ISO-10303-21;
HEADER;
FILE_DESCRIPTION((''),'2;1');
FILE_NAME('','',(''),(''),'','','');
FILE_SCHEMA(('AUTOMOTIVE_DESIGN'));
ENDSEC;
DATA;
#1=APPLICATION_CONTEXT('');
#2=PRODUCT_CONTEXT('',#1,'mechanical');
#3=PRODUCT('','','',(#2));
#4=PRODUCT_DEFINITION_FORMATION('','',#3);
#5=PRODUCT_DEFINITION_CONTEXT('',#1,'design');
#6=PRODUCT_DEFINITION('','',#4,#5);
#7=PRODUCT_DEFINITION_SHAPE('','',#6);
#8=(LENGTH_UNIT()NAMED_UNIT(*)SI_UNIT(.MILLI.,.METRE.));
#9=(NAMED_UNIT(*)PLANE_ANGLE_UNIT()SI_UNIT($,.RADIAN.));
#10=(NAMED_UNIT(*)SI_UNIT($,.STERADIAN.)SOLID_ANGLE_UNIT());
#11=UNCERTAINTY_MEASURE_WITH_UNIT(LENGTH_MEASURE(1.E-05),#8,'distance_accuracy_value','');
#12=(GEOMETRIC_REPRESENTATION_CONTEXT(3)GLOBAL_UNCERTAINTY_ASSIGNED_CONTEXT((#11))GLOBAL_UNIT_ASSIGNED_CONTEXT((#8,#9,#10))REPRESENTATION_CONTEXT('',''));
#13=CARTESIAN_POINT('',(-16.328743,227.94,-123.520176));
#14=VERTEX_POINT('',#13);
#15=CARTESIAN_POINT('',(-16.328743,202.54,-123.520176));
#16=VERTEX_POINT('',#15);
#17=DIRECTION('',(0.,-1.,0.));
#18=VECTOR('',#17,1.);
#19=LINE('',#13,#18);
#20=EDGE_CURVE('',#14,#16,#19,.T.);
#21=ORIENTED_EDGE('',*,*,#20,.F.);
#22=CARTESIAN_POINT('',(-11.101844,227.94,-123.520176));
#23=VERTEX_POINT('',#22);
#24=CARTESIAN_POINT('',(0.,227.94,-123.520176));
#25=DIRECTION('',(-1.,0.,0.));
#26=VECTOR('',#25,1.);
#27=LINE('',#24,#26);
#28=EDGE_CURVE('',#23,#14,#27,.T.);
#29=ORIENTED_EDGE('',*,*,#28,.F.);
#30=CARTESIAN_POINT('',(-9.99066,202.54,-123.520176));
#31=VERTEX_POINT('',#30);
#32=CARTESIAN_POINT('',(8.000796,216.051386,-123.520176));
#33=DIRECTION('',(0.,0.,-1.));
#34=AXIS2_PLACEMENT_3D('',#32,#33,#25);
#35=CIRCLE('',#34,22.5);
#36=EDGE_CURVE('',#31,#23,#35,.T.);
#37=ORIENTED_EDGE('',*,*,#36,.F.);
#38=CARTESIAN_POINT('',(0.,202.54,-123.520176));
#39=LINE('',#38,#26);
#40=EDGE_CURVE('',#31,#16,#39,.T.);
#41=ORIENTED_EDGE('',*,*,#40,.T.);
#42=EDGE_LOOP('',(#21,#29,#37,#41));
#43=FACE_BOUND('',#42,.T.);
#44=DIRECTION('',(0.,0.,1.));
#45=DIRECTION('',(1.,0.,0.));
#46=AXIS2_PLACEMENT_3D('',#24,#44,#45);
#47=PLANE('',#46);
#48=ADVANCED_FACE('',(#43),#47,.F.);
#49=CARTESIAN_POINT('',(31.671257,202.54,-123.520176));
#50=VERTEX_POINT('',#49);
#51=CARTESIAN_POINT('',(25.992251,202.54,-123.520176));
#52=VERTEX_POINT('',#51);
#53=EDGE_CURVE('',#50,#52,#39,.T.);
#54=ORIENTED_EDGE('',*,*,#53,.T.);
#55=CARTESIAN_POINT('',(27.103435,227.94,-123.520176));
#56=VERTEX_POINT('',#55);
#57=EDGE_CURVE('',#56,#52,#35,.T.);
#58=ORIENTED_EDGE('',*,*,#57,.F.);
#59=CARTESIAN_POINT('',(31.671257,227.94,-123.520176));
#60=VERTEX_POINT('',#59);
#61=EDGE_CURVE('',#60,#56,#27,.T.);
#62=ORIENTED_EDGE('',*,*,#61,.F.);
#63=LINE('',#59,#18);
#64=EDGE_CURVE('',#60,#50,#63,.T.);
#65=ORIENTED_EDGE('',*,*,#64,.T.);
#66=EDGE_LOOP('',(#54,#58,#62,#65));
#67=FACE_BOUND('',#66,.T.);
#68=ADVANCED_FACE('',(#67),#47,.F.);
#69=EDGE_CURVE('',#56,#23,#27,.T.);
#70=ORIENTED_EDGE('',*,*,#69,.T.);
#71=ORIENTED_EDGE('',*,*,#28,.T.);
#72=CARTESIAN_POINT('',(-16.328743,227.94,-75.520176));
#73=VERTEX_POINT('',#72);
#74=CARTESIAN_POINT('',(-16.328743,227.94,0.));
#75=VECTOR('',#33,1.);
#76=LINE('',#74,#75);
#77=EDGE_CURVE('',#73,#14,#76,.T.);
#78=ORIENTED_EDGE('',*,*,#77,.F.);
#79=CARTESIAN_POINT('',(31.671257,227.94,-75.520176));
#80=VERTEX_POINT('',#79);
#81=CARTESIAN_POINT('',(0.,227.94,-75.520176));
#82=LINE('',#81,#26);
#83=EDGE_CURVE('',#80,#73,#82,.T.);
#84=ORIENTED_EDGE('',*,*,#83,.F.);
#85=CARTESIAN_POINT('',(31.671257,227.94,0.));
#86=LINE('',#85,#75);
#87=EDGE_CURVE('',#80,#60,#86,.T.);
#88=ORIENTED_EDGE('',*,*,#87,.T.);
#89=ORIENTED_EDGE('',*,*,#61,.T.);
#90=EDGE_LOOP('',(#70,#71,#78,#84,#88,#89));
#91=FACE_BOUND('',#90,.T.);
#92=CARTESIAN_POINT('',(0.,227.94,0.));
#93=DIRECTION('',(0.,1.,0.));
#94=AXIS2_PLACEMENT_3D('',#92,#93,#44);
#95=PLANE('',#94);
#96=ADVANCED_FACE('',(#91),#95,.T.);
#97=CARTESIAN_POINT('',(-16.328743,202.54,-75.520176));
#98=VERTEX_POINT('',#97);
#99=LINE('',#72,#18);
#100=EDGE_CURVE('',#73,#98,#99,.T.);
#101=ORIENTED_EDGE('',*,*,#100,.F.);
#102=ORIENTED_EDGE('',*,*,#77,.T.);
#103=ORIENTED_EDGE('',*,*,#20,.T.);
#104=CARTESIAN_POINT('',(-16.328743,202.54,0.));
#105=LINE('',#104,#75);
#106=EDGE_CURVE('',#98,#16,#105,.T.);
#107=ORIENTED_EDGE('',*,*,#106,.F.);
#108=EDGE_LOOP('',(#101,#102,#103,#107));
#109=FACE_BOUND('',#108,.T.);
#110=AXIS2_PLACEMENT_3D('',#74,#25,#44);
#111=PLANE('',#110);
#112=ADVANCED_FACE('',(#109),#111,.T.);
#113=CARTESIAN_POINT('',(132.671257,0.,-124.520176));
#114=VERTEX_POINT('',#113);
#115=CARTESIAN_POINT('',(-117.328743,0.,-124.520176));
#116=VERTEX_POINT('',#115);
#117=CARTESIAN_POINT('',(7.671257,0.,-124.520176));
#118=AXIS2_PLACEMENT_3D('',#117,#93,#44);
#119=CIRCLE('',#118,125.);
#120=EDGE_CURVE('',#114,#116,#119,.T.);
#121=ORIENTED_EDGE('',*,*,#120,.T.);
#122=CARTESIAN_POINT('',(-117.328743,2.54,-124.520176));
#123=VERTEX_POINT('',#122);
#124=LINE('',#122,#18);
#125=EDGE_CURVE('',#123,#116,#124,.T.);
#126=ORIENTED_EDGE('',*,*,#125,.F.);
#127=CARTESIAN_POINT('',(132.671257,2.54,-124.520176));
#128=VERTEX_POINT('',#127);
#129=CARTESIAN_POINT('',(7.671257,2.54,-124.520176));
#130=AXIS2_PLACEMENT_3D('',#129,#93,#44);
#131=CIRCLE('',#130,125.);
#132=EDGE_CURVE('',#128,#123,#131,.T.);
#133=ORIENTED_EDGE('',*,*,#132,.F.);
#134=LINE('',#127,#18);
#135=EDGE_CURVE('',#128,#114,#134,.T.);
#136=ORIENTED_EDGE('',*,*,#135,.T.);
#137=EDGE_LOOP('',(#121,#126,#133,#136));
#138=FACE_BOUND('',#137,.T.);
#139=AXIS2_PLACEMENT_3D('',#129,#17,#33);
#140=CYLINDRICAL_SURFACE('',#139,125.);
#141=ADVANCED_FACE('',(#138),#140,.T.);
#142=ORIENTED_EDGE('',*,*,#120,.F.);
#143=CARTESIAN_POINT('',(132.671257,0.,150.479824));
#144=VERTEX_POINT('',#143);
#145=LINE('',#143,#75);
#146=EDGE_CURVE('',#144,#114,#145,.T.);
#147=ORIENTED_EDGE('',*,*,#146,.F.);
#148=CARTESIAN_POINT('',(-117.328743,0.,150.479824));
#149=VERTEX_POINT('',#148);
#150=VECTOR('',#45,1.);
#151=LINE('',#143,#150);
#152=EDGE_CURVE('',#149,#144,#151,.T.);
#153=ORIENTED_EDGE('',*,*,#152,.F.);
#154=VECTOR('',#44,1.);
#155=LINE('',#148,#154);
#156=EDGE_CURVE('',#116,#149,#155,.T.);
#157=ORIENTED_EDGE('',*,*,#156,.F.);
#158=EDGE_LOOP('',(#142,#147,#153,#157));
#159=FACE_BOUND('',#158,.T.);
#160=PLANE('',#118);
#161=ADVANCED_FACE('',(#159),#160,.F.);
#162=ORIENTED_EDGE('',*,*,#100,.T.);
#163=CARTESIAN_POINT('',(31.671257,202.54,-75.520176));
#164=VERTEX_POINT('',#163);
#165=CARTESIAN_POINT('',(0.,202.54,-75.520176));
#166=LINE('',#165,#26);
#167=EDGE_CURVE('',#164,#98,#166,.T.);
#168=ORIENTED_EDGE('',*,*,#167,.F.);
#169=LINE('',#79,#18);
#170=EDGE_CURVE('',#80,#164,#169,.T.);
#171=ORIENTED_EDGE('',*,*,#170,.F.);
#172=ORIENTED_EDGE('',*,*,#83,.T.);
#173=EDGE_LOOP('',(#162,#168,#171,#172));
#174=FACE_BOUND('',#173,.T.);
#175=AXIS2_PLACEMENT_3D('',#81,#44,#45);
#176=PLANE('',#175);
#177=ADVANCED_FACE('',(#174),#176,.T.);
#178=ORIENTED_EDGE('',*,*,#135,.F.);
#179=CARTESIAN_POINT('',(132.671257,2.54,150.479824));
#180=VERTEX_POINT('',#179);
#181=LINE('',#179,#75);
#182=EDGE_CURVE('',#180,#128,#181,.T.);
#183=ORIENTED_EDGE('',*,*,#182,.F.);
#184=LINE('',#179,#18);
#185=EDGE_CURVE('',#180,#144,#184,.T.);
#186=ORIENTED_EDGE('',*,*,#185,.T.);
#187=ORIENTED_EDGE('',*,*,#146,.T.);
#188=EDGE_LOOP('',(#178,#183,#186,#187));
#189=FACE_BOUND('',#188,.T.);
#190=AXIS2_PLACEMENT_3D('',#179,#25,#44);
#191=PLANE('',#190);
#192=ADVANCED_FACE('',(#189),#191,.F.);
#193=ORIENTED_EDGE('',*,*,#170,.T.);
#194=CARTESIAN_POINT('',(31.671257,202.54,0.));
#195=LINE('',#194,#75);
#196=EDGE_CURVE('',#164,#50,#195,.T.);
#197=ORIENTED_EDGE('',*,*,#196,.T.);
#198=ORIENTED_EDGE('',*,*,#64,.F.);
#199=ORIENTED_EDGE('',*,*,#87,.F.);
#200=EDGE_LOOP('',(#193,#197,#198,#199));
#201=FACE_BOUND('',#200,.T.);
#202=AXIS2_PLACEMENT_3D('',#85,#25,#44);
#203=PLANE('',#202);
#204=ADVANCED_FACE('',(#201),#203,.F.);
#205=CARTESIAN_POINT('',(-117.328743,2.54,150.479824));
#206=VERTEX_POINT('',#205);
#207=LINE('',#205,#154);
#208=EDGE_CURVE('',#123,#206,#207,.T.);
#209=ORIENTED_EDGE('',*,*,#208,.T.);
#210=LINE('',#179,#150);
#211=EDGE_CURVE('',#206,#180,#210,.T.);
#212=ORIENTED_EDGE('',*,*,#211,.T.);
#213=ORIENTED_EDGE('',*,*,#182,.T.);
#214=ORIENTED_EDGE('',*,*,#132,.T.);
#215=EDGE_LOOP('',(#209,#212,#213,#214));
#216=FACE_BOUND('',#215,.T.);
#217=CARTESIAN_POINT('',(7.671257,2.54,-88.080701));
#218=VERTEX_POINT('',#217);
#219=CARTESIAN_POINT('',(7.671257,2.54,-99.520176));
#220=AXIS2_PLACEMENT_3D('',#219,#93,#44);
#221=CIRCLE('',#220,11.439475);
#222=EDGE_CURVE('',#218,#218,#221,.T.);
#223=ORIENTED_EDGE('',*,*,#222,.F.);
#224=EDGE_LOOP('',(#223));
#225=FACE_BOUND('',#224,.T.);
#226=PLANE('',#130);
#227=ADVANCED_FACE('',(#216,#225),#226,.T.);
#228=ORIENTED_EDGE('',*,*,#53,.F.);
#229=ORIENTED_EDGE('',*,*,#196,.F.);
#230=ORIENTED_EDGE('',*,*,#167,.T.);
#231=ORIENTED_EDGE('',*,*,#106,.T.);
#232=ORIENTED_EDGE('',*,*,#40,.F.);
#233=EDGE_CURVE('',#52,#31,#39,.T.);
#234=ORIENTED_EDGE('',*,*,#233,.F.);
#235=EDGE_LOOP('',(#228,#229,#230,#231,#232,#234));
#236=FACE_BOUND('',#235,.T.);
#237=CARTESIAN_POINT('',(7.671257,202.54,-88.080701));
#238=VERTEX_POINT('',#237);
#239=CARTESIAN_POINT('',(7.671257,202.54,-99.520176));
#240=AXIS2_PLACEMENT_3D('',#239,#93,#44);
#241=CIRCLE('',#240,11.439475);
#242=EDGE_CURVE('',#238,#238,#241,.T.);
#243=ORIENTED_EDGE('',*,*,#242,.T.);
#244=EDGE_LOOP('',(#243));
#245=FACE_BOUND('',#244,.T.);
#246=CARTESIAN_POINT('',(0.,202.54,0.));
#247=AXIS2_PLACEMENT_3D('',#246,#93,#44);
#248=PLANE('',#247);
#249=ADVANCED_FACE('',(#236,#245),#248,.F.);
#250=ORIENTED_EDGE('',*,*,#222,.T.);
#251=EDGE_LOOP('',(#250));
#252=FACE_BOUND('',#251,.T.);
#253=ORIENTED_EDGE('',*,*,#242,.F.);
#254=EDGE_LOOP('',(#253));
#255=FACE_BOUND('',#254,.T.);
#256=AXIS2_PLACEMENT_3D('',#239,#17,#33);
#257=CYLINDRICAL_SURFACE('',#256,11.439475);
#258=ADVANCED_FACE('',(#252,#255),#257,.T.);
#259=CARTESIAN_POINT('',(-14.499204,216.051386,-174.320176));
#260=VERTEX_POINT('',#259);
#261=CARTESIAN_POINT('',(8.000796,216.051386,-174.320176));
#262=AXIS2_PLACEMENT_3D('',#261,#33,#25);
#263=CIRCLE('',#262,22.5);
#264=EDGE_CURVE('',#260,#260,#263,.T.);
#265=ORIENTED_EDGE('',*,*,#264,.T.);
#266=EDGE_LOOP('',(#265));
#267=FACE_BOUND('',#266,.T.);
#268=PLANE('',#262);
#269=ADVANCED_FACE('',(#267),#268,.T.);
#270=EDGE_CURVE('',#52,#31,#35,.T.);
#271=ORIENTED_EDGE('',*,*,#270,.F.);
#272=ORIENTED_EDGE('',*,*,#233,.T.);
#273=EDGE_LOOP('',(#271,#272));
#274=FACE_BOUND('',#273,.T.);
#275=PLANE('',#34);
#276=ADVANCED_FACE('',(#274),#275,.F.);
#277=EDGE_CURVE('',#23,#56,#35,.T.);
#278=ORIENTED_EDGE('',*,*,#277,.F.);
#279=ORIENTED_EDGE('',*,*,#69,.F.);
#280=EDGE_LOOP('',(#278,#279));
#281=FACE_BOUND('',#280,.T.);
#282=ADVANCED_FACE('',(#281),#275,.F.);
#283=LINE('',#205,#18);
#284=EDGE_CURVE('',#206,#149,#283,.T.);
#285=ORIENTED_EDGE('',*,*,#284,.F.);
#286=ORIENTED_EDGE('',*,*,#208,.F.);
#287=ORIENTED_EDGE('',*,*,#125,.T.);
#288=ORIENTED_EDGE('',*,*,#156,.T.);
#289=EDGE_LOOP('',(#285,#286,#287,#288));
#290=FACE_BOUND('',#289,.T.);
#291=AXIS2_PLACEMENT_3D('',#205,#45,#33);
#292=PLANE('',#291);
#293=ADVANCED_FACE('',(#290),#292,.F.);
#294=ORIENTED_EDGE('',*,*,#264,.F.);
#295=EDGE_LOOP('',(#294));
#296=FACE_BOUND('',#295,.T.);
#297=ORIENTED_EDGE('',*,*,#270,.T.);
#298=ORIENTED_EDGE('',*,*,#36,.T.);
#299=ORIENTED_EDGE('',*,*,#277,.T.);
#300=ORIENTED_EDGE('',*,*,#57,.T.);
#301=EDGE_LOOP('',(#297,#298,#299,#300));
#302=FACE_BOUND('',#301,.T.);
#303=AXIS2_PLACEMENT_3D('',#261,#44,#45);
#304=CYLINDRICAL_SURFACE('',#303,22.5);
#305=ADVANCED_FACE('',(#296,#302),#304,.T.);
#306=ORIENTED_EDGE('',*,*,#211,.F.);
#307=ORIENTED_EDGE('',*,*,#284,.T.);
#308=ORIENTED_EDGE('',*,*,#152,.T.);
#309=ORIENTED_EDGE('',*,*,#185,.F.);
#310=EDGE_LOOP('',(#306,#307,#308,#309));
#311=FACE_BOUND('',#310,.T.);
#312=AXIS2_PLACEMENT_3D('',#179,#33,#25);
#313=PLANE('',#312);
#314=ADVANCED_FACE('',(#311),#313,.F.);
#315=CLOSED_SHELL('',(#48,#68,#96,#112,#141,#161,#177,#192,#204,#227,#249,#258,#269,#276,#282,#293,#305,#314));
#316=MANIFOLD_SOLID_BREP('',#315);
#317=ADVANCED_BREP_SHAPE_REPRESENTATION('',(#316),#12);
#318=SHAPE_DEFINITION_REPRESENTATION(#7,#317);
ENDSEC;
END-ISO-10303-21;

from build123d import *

# Parameters (mm, degrees)
BOSS_EXTRUDE1_DEPTH = 2.54
SKETCH2_R           = 11.439475367
BOSS_EXTRUDE2_DEPTH = 200
SKETCH3_W           = 48.000000012
SKETCH3_H           = 48.000000012
BOSS_EXTRUDE3_DEPTH = 25.4
SKETCH4_R           = 22.499999958
BOSS_EXTRUDE4_DEPTH = 50.8


with BuildPart() as part:
    # Sketch1 → Boss-Extrude1 (new body)
    with BuildSketch(Plane(origin=(0, 0, 0), x_dir=(1, 0, 0), z_dir=(0, 1, 0))):
        with BuildLine():
            Line((132.671256636, -150.479823869), (-117.328743364, -150.479823869))
            Line((-117.328743364, -150.479823869), (-117.328743364, 124.520176131))
            ThreePointArc((-117.328743364, 124.520176131), (7.671256636, 249.520176131), (132.671256636, 124.520176131))
            Line((132.671256636, 124.520176131), (132.671256636, -150.479823869))
        make_face()
    extrude(amount=BOSS_EXTRUDE1_DEPTH)

    # Sketch2 → Boss-Extrude2 (add)
    with BuildSketch(Plane(origin=(0, 2.54, 0), x_dir=(1, 0, 0), z_dir=(0, 1, 0))):
        with Locations((7.671256636, 99.520176157)):
            Circle(SKETCH2_R)
    extrude(amount=BOSS_EXTRUDE2_DEPTH)

    # Sketch3 → Boss-Extrude3 (add)
    with BuildSketch(Plane(origin=(0, 202.54, 0), x_dir=(1, 0, 0), z_dir=(0, 1, 0))):
        with Locations((7.671256636, 99.520176157)):
            Rectangle(SKETCH3_W, SKETCH3_H)
    extrude(amount=BOSS_EXTRUDE3_DEPTH)

    # Sketch4 → Boss-Extrude4 (add)
    with BuildSketch(Plane(origin=(0, 0, -123.520176163), x_dir=(-1, 0, 0), z_dir=(0, 0, -1))):
        with Locations((-8.000795549, 216.051385612)):
            Circle(SKETCH4_R)
    extrude(amount=BOSS_EXTRUDE4_DEPTH)


solid = part.part
